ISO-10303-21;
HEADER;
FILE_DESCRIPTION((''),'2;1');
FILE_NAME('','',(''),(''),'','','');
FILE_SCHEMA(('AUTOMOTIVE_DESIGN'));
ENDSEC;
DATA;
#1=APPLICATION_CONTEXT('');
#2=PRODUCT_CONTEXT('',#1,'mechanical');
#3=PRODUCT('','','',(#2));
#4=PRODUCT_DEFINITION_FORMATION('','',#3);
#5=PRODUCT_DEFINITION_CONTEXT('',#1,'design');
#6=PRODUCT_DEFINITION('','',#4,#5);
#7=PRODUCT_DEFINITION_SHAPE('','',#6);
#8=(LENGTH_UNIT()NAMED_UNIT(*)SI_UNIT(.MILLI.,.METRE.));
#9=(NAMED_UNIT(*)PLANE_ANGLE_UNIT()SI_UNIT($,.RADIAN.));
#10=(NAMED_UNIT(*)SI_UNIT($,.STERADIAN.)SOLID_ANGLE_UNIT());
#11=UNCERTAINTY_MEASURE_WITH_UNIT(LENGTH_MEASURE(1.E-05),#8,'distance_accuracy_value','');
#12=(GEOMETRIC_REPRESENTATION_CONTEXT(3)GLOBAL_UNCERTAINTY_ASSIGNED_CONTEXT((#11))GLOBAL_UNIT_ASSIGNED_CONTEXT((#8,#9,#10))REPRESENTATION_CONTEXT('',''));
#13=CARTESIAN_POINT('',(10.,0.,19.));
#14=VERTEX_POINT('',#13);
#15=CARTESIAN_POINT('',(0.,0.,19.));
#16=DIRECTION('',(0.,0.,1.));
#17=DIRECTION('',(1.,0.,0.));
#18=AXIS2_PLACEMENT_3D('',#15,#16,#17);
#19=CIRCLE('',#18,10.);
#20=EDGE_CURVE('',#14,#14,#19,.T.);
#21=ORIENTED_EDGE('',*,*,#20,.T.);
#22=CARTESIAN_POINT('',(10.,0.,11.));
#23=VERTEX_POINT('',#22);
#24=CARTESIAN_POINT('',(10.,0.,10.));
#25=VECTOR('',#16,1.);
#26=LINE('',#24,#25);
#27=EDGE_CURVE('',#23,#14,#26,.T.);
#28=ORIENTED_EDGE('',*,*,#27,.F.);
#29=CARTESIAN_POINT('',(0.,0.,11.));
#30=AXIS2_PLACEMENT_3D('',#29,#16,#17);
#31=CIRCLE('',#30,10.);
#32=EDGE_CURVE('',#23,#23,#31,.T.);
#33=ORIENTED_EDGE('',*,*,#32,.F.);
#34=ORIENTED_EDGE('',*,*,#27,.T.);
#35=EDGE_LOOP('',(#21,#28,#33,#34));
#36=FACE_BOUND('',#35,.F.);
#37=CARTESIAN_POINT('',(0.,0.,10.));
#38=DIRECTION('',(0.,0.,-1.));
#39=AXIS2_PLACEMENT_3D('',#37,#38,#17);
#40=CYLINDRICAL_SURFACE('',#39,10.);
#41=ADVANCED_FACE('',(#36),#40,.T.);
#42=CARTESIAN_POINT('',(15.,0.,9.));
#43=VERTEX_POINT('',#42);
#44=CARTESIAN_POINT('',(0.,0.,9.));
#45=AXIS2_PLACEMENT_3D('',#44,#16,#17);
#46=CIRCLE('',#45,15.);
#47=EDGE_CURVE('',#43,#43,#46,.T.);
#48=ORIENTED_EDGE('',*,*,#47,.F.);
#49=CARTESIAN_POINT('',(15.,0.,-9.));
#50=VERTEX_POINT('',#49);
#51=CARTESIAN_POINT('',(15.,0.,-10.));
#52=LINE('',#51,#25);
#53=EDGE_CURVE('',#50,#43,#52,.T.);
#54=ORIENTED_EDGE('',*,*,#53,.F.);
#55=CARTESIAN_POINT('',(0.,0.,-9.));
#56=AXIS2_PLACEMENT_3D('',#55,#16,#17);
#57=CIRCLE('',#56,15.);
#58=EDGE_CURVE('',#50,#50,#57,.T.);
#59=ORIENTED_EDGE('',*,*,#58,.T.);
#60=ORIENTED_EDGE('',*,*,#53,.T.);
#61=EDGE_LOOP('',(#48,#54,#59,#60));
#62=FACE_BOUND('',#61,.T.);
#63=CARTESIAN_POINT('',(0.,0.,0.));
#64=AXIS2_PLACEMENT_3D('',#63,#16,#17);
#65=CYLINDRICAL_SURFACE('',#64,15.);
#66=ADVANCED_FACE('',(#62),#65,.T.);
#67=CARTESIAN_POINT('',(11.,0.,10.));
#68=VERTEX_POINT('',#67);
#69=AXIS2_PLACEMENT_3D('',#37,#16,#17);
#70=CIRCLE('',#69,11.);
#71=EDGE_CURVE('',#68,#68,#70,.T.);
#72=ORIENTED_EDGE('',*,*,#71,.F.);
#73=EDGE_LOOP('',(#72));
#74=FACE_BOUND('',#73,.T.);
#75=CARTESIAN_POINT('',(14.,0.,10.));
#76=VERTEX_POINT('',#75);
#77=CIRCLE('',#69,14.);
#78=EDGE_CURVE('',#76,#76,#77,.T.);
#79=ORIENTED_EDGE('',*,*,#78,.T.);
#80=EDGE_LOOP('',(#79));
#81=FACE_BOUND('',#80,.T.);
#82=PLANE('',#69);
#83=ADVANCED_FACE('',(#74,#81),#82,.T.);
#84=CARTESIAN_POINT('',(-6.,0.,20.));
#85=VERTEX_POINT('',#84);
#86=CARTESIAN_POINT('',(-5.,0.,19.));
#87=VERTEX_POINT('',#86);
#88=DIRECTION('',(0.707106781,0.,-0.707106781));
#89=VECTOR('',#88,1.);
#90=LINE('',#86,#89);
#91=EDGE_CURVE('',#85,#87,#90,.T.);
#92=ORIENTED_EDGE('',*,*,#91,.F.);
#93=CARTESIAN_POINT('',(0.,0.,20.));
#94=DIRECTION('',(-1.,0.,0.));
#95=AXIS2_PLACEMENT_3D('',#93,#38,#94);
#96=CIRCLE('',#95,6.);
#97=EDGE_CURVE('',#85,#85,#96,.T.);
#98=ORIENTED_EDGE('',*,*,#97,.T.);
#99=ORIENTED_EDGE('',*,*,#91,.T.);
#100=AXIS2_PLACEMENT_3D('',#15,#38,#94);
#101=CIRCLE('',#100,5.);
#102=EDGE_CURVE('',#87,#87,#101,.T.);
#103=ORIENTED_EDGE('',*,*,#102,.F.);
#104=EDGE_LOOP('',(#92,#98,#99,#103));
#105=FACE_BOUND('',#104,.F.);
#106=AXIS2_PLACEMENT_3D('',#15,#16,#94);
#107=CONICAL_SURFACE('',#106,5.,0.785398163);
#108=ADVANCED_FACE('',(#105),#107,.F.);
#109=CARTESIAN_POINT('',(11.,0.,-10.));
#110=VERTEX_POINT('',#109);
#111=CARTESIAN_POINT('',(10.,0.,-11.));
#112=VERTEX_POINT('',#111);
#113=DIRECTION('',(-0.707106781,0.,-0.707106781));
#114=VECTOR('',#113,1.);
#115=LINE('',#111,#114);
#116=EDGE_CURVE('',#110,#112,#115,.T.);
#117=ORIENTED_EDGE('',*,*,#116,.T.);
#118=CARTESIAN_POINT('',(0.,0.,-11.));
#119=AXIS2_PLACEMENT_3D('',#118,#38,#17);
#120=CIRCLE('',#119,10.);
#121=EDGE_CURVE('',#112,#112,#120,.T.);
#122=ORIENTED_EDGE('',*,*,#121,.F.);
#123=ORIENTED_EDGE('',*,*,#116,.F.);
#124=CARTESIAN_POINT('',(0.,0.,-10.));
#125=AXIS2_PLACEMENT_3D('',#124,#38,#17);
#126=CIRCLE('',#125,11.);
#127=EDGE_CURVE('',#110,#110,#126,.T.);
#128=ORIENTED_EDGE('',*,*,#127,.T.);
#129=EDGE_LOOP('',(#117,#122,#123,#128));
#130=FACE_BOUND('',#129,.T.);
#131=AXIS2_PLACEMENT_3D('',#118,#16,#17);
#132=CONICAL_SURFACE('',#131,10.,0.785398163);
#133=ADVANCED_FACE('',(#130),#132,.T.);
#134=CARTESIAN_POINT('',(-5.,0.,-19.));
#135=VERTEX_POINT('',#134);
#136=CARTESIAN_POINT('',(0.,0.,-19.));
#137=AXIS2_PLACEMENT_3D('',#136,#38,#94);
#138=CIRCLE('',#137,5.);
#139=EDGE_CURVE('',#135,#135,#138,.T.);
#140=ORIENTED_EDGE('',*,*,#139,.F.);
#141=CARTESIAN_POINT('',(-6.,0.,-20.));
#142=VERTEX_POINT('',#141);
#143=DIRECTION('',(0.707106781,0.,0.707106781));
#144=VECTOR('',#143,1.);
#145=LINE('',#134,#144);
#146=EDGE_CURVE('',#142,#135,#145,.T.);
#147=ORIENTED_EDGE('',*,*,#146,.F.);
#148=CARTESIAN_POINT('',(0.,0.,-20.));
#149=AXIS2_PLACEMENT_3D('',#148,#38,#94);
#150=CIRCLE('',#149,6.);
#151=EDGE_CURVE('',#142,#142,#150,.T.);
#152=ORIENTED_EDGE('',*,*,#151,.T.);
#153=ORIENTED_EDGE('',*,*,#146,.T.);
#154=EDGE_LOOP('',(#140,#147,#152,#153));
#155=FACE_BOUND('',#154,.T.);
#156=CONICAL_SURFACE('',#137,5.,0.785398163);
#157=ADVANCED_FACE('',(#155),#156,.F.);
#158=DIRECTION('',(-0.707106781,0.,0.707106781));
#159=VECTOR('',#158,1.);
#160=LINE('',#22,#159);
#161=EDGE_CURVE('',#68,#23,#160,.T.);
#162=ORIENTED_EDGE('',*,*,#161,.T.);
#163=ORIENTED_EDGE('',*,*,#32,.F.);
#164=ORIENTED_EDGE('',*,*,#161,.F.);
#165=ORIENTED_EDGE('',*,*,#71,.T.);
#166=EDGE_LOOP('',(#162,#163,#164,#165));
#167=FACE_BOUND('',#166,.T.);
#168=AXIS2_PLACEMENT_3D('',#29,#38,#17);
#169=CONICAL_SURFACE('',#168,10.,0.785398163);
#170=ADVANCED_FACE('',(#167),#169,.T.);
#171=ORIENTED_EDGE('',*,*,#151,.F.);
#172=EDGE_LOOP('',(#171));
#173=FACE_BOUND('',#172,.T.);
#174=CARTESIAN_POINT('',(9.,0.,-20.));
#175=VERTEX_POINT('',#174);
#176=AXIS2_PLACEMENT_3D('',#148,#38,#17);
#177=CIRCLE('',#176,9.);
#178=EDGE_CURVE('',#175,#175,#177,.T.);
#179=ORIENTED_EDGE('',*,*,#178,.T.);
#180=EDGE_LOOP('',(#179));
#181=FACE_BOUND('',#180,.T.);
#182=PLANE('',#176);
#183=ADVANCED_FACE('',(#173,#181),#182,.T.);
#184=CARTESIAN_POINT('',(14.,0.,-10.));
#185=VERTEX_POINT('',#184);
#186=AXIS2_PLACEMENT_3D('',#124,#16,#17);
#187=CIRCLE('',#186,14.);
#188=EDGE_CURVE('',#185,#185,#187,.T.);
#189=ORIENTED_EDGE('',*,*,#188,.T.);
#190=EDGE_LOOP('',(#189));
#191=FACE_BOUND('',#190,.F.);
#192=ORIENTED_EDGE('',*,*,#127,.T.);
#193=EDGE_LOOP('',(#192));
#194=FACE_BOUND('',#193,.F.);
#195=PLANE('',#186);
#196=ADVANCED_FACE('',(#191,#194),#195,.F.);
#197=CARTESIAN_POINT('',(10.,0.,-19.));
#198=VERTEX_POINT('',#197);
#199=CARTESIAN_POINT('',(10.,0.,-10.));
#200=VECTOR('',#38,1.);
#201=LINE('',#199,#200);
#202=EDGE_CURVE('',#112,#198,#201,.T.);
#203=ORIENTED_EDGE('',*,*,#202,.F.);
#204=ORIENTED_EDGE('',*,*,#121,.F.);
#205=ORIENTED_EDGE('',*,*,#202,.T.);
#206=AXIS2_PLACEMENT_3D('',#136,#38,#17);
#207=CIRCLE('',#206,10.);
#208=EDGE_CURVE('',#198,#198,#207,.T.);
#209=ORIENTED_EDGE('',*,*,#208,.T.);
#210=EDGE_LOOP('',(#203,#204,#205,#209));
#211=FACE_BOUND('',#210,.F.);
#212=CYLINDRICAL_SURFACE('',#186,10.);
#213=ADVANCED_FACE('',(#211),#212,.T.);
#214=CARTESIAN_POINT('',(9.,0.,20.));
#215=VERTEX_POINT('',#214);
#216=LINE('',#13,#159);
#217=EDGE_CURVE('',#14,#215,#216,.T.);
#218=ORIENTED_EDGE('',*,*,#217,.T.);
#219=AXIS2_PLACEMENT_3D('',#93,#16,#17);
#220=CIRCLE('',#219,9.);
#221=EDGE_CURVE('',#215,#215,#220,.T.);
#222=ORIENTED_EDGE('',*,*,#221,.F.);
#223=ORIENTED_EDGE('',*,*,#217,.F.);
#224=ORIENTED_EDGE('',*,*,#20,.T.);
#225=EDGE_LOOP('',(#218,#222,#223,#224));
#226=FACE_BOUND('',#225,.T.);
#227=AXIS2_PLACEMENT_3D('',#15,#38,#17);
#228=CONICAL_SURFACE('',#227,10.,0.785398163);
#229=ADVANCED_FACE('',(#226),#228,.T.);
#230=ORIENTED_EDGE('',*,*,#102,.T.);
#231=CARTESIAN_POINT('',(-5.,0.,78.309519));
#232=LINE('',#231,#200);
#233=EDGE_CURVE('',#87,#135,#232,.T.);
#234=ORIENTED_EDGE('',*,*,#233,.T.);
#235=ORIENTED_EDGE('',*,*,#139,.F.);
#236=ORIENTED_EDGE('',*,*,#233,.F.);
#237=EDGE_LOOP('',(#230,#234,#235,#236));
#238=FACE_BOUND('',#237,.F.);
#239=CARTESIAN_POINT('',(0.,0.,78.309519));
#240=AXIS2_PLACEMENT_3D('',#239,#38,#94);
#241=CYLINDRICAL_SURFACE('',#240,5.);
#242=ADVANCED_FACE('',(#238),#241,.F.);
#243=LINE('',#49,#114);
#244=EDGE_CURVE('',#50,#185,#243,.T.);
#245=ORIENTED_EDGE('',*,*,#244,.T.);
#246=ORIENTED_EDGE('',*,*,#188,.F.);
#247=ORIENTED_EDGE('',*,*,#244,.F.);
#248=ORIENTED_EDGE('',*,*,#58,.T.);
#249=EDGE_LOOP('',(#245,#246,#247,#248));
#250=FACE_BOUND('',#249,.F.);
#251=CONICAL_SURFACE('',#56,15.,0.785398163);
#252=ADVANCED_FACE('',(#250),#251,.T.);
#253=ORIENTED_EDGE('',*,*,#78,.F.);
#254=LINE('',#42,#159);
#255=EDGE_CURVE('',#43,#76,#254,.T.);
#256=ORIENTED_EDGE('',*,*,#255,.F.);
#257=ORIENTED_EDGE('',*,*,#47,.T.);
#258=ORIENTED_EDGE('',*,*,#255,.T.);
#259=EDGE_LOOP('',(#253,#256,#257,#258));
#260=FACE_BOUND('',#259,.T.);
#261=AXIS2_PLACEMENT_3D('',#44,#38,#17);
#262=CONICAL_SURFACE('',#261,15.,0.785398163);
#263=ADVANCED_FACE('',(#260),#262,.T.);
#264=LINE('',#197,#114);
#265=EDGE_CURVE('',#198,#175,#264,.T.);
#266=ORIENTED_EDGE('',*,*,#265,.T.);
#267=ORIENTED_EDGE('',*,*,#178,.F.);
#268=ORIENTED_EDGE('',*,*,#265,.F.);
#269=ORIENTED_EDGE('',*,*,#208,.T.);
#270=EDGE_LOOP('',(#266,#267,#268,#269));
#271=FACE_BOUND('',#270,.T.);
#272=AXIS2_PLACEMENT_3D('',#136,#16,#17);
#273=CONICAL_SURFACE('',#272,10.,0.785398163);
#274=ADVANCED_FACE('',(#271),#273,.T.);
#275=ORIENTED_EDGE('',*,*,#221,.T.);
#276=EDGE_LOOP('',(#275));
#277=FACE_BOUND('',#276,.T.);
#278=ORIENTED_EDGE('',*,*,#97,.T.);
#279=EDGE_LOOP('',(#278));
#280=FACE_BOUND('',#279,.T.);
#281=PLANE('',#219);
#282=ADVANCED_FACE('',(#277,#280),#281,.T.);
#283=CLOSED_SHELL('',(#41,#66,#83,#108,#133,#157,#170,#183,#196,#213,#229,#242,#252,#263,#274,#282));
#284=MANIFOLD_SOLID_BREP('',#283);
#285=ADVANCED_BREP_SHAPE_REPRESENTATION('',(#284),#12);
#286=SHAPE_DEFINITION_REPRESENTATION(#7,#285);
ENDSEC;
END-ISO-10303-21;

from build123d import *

# Parameters (mm, degrees)
F0_R          = 15
F1_DEPTH      = 10
F1_DEPTH_BACK = 10
F2_R          = 10
F3_DEPTH      = 10
F4_R          = 10
F5_DEPTH      = 10
F7_D          = 10
F8_SIZE       = 1


with BuildPart() as f1:
    # F0 (on Top) → F1 (new body, two sides)
    with BuildSketch(Plane.XY) as f1_sk:
        Circle(F0_R)
    extrude(amount=F1_DEPTH)
    extrude(f1_sk.sketch, amount=-F1_DEPTH_BACK)

    # F2 (on face) → F3 (join)
    with BuildSketch(Plane.XY.offset(10)):
        Circle(F2_R)
    extrude(amount=F3_DEPTH)

    # F4 (on face) → F5 (join)
    with BuildSketch(Plane(origin=(0, 0, -10), x_dir=(1, 0, 0), z_dir=(0, 0, -1))):
        Circle(F4_R)
    extrude(amount=F5_DEPTH)

    # F7 (through all)
    with Locations(Plane.XY.offset(20)):
        with Locations((0, 0)):
            Hole(F7_D / 2)

    # F8
    f8_edges = [f1.edges().sort_by_distance(p)[0] for p in [
        (-10, 0, 20),
        (-5, 0, 20),
        (-15, 0, 10),
        (-10, 0, 10),
        (-15, 0, -10),
        (-10, 0, -10),
        (-10, 0, -20),
        (-5, 0, -20),
    ]]
    chamfer(f8_edges, length=F8_SIZE)


solid = f1.part
